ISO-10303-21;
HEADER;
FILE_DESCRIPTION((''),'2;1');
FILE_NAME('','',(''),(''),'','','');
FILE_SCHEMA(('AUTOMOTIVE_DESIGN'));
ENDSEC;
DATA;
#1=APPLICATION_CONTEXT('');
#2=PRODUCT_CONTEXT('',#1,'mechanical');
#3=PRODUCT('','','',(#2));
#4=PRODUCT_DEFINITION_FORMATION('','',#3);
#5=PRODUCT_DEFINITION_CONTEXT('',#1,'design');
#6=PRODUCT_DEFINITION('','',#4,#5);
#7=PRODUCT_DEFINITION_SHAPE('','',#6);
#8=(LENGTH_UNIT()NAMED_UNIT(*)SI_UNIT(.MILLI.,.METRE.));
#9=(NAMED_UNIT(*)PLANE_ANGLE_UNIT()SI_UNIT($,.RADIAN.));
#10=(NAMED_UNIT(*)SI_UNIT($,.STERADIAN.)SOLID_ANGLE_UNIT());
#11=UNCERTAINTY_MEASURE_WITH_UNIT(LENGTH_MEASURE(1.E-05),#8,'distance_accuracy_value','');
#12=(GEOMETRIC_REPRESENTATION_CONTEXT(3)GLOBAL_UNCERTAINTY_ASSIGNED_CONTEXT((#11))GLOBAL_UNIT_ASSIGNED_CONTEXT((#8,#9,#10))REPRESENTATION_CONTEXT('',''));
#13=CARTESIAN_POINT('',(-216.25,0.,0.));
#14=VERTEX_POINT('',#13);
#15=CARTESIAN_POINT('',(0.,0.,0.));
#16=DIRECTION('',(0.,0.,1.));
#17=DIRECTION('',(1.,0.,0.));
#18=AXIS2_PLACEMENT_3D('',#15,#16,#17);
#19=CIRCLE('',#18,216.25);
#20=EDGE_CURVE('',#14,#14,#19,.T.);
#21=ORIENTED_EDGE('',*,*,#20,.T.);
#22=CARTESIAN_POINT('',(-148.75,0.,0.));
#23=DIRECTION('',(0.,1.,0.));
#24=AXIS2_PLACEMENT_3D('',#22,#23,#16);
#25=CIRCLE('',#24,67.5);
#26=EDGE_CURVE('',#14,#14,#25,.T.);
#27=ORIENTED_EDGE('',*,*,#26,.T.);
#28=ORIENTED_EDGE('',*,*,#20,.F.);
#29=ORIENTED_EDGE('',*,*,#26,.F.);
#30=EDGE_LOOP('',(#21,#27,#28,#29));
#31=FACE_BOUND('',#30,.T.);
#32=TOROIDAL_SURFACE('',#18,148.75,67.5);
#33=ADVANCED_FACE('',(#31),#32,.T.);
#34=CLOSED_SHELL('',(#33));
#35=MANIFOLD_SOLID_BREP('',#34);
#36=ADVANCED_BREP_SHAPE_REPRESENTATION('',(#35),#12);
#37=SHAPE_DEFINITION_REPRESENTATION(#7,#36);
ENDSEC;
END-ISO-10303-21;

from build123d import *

# Parameters (mm, degrees)
SKETCH_2_R = 67.5


with BuildPart() as part:
    # 扫描1: sweep along a path in 草图1
    with BuildLine(Plane.XY) as sweep_1_path:
        CenterArc((0, 0), 148.75, 0, 360)
    # 草图2 → 扫描1 (sweep)
    with BuildSketch(Plane(origin=(0, 0, 0), x_dir=(1, 0, 0), z_dir=(0, 1, 0))):
        with Locations((-148.75, 0)):
            Circle(SKETCH_2_R)
    sweep(path=sweep_1_path.line)


solid = part.part
